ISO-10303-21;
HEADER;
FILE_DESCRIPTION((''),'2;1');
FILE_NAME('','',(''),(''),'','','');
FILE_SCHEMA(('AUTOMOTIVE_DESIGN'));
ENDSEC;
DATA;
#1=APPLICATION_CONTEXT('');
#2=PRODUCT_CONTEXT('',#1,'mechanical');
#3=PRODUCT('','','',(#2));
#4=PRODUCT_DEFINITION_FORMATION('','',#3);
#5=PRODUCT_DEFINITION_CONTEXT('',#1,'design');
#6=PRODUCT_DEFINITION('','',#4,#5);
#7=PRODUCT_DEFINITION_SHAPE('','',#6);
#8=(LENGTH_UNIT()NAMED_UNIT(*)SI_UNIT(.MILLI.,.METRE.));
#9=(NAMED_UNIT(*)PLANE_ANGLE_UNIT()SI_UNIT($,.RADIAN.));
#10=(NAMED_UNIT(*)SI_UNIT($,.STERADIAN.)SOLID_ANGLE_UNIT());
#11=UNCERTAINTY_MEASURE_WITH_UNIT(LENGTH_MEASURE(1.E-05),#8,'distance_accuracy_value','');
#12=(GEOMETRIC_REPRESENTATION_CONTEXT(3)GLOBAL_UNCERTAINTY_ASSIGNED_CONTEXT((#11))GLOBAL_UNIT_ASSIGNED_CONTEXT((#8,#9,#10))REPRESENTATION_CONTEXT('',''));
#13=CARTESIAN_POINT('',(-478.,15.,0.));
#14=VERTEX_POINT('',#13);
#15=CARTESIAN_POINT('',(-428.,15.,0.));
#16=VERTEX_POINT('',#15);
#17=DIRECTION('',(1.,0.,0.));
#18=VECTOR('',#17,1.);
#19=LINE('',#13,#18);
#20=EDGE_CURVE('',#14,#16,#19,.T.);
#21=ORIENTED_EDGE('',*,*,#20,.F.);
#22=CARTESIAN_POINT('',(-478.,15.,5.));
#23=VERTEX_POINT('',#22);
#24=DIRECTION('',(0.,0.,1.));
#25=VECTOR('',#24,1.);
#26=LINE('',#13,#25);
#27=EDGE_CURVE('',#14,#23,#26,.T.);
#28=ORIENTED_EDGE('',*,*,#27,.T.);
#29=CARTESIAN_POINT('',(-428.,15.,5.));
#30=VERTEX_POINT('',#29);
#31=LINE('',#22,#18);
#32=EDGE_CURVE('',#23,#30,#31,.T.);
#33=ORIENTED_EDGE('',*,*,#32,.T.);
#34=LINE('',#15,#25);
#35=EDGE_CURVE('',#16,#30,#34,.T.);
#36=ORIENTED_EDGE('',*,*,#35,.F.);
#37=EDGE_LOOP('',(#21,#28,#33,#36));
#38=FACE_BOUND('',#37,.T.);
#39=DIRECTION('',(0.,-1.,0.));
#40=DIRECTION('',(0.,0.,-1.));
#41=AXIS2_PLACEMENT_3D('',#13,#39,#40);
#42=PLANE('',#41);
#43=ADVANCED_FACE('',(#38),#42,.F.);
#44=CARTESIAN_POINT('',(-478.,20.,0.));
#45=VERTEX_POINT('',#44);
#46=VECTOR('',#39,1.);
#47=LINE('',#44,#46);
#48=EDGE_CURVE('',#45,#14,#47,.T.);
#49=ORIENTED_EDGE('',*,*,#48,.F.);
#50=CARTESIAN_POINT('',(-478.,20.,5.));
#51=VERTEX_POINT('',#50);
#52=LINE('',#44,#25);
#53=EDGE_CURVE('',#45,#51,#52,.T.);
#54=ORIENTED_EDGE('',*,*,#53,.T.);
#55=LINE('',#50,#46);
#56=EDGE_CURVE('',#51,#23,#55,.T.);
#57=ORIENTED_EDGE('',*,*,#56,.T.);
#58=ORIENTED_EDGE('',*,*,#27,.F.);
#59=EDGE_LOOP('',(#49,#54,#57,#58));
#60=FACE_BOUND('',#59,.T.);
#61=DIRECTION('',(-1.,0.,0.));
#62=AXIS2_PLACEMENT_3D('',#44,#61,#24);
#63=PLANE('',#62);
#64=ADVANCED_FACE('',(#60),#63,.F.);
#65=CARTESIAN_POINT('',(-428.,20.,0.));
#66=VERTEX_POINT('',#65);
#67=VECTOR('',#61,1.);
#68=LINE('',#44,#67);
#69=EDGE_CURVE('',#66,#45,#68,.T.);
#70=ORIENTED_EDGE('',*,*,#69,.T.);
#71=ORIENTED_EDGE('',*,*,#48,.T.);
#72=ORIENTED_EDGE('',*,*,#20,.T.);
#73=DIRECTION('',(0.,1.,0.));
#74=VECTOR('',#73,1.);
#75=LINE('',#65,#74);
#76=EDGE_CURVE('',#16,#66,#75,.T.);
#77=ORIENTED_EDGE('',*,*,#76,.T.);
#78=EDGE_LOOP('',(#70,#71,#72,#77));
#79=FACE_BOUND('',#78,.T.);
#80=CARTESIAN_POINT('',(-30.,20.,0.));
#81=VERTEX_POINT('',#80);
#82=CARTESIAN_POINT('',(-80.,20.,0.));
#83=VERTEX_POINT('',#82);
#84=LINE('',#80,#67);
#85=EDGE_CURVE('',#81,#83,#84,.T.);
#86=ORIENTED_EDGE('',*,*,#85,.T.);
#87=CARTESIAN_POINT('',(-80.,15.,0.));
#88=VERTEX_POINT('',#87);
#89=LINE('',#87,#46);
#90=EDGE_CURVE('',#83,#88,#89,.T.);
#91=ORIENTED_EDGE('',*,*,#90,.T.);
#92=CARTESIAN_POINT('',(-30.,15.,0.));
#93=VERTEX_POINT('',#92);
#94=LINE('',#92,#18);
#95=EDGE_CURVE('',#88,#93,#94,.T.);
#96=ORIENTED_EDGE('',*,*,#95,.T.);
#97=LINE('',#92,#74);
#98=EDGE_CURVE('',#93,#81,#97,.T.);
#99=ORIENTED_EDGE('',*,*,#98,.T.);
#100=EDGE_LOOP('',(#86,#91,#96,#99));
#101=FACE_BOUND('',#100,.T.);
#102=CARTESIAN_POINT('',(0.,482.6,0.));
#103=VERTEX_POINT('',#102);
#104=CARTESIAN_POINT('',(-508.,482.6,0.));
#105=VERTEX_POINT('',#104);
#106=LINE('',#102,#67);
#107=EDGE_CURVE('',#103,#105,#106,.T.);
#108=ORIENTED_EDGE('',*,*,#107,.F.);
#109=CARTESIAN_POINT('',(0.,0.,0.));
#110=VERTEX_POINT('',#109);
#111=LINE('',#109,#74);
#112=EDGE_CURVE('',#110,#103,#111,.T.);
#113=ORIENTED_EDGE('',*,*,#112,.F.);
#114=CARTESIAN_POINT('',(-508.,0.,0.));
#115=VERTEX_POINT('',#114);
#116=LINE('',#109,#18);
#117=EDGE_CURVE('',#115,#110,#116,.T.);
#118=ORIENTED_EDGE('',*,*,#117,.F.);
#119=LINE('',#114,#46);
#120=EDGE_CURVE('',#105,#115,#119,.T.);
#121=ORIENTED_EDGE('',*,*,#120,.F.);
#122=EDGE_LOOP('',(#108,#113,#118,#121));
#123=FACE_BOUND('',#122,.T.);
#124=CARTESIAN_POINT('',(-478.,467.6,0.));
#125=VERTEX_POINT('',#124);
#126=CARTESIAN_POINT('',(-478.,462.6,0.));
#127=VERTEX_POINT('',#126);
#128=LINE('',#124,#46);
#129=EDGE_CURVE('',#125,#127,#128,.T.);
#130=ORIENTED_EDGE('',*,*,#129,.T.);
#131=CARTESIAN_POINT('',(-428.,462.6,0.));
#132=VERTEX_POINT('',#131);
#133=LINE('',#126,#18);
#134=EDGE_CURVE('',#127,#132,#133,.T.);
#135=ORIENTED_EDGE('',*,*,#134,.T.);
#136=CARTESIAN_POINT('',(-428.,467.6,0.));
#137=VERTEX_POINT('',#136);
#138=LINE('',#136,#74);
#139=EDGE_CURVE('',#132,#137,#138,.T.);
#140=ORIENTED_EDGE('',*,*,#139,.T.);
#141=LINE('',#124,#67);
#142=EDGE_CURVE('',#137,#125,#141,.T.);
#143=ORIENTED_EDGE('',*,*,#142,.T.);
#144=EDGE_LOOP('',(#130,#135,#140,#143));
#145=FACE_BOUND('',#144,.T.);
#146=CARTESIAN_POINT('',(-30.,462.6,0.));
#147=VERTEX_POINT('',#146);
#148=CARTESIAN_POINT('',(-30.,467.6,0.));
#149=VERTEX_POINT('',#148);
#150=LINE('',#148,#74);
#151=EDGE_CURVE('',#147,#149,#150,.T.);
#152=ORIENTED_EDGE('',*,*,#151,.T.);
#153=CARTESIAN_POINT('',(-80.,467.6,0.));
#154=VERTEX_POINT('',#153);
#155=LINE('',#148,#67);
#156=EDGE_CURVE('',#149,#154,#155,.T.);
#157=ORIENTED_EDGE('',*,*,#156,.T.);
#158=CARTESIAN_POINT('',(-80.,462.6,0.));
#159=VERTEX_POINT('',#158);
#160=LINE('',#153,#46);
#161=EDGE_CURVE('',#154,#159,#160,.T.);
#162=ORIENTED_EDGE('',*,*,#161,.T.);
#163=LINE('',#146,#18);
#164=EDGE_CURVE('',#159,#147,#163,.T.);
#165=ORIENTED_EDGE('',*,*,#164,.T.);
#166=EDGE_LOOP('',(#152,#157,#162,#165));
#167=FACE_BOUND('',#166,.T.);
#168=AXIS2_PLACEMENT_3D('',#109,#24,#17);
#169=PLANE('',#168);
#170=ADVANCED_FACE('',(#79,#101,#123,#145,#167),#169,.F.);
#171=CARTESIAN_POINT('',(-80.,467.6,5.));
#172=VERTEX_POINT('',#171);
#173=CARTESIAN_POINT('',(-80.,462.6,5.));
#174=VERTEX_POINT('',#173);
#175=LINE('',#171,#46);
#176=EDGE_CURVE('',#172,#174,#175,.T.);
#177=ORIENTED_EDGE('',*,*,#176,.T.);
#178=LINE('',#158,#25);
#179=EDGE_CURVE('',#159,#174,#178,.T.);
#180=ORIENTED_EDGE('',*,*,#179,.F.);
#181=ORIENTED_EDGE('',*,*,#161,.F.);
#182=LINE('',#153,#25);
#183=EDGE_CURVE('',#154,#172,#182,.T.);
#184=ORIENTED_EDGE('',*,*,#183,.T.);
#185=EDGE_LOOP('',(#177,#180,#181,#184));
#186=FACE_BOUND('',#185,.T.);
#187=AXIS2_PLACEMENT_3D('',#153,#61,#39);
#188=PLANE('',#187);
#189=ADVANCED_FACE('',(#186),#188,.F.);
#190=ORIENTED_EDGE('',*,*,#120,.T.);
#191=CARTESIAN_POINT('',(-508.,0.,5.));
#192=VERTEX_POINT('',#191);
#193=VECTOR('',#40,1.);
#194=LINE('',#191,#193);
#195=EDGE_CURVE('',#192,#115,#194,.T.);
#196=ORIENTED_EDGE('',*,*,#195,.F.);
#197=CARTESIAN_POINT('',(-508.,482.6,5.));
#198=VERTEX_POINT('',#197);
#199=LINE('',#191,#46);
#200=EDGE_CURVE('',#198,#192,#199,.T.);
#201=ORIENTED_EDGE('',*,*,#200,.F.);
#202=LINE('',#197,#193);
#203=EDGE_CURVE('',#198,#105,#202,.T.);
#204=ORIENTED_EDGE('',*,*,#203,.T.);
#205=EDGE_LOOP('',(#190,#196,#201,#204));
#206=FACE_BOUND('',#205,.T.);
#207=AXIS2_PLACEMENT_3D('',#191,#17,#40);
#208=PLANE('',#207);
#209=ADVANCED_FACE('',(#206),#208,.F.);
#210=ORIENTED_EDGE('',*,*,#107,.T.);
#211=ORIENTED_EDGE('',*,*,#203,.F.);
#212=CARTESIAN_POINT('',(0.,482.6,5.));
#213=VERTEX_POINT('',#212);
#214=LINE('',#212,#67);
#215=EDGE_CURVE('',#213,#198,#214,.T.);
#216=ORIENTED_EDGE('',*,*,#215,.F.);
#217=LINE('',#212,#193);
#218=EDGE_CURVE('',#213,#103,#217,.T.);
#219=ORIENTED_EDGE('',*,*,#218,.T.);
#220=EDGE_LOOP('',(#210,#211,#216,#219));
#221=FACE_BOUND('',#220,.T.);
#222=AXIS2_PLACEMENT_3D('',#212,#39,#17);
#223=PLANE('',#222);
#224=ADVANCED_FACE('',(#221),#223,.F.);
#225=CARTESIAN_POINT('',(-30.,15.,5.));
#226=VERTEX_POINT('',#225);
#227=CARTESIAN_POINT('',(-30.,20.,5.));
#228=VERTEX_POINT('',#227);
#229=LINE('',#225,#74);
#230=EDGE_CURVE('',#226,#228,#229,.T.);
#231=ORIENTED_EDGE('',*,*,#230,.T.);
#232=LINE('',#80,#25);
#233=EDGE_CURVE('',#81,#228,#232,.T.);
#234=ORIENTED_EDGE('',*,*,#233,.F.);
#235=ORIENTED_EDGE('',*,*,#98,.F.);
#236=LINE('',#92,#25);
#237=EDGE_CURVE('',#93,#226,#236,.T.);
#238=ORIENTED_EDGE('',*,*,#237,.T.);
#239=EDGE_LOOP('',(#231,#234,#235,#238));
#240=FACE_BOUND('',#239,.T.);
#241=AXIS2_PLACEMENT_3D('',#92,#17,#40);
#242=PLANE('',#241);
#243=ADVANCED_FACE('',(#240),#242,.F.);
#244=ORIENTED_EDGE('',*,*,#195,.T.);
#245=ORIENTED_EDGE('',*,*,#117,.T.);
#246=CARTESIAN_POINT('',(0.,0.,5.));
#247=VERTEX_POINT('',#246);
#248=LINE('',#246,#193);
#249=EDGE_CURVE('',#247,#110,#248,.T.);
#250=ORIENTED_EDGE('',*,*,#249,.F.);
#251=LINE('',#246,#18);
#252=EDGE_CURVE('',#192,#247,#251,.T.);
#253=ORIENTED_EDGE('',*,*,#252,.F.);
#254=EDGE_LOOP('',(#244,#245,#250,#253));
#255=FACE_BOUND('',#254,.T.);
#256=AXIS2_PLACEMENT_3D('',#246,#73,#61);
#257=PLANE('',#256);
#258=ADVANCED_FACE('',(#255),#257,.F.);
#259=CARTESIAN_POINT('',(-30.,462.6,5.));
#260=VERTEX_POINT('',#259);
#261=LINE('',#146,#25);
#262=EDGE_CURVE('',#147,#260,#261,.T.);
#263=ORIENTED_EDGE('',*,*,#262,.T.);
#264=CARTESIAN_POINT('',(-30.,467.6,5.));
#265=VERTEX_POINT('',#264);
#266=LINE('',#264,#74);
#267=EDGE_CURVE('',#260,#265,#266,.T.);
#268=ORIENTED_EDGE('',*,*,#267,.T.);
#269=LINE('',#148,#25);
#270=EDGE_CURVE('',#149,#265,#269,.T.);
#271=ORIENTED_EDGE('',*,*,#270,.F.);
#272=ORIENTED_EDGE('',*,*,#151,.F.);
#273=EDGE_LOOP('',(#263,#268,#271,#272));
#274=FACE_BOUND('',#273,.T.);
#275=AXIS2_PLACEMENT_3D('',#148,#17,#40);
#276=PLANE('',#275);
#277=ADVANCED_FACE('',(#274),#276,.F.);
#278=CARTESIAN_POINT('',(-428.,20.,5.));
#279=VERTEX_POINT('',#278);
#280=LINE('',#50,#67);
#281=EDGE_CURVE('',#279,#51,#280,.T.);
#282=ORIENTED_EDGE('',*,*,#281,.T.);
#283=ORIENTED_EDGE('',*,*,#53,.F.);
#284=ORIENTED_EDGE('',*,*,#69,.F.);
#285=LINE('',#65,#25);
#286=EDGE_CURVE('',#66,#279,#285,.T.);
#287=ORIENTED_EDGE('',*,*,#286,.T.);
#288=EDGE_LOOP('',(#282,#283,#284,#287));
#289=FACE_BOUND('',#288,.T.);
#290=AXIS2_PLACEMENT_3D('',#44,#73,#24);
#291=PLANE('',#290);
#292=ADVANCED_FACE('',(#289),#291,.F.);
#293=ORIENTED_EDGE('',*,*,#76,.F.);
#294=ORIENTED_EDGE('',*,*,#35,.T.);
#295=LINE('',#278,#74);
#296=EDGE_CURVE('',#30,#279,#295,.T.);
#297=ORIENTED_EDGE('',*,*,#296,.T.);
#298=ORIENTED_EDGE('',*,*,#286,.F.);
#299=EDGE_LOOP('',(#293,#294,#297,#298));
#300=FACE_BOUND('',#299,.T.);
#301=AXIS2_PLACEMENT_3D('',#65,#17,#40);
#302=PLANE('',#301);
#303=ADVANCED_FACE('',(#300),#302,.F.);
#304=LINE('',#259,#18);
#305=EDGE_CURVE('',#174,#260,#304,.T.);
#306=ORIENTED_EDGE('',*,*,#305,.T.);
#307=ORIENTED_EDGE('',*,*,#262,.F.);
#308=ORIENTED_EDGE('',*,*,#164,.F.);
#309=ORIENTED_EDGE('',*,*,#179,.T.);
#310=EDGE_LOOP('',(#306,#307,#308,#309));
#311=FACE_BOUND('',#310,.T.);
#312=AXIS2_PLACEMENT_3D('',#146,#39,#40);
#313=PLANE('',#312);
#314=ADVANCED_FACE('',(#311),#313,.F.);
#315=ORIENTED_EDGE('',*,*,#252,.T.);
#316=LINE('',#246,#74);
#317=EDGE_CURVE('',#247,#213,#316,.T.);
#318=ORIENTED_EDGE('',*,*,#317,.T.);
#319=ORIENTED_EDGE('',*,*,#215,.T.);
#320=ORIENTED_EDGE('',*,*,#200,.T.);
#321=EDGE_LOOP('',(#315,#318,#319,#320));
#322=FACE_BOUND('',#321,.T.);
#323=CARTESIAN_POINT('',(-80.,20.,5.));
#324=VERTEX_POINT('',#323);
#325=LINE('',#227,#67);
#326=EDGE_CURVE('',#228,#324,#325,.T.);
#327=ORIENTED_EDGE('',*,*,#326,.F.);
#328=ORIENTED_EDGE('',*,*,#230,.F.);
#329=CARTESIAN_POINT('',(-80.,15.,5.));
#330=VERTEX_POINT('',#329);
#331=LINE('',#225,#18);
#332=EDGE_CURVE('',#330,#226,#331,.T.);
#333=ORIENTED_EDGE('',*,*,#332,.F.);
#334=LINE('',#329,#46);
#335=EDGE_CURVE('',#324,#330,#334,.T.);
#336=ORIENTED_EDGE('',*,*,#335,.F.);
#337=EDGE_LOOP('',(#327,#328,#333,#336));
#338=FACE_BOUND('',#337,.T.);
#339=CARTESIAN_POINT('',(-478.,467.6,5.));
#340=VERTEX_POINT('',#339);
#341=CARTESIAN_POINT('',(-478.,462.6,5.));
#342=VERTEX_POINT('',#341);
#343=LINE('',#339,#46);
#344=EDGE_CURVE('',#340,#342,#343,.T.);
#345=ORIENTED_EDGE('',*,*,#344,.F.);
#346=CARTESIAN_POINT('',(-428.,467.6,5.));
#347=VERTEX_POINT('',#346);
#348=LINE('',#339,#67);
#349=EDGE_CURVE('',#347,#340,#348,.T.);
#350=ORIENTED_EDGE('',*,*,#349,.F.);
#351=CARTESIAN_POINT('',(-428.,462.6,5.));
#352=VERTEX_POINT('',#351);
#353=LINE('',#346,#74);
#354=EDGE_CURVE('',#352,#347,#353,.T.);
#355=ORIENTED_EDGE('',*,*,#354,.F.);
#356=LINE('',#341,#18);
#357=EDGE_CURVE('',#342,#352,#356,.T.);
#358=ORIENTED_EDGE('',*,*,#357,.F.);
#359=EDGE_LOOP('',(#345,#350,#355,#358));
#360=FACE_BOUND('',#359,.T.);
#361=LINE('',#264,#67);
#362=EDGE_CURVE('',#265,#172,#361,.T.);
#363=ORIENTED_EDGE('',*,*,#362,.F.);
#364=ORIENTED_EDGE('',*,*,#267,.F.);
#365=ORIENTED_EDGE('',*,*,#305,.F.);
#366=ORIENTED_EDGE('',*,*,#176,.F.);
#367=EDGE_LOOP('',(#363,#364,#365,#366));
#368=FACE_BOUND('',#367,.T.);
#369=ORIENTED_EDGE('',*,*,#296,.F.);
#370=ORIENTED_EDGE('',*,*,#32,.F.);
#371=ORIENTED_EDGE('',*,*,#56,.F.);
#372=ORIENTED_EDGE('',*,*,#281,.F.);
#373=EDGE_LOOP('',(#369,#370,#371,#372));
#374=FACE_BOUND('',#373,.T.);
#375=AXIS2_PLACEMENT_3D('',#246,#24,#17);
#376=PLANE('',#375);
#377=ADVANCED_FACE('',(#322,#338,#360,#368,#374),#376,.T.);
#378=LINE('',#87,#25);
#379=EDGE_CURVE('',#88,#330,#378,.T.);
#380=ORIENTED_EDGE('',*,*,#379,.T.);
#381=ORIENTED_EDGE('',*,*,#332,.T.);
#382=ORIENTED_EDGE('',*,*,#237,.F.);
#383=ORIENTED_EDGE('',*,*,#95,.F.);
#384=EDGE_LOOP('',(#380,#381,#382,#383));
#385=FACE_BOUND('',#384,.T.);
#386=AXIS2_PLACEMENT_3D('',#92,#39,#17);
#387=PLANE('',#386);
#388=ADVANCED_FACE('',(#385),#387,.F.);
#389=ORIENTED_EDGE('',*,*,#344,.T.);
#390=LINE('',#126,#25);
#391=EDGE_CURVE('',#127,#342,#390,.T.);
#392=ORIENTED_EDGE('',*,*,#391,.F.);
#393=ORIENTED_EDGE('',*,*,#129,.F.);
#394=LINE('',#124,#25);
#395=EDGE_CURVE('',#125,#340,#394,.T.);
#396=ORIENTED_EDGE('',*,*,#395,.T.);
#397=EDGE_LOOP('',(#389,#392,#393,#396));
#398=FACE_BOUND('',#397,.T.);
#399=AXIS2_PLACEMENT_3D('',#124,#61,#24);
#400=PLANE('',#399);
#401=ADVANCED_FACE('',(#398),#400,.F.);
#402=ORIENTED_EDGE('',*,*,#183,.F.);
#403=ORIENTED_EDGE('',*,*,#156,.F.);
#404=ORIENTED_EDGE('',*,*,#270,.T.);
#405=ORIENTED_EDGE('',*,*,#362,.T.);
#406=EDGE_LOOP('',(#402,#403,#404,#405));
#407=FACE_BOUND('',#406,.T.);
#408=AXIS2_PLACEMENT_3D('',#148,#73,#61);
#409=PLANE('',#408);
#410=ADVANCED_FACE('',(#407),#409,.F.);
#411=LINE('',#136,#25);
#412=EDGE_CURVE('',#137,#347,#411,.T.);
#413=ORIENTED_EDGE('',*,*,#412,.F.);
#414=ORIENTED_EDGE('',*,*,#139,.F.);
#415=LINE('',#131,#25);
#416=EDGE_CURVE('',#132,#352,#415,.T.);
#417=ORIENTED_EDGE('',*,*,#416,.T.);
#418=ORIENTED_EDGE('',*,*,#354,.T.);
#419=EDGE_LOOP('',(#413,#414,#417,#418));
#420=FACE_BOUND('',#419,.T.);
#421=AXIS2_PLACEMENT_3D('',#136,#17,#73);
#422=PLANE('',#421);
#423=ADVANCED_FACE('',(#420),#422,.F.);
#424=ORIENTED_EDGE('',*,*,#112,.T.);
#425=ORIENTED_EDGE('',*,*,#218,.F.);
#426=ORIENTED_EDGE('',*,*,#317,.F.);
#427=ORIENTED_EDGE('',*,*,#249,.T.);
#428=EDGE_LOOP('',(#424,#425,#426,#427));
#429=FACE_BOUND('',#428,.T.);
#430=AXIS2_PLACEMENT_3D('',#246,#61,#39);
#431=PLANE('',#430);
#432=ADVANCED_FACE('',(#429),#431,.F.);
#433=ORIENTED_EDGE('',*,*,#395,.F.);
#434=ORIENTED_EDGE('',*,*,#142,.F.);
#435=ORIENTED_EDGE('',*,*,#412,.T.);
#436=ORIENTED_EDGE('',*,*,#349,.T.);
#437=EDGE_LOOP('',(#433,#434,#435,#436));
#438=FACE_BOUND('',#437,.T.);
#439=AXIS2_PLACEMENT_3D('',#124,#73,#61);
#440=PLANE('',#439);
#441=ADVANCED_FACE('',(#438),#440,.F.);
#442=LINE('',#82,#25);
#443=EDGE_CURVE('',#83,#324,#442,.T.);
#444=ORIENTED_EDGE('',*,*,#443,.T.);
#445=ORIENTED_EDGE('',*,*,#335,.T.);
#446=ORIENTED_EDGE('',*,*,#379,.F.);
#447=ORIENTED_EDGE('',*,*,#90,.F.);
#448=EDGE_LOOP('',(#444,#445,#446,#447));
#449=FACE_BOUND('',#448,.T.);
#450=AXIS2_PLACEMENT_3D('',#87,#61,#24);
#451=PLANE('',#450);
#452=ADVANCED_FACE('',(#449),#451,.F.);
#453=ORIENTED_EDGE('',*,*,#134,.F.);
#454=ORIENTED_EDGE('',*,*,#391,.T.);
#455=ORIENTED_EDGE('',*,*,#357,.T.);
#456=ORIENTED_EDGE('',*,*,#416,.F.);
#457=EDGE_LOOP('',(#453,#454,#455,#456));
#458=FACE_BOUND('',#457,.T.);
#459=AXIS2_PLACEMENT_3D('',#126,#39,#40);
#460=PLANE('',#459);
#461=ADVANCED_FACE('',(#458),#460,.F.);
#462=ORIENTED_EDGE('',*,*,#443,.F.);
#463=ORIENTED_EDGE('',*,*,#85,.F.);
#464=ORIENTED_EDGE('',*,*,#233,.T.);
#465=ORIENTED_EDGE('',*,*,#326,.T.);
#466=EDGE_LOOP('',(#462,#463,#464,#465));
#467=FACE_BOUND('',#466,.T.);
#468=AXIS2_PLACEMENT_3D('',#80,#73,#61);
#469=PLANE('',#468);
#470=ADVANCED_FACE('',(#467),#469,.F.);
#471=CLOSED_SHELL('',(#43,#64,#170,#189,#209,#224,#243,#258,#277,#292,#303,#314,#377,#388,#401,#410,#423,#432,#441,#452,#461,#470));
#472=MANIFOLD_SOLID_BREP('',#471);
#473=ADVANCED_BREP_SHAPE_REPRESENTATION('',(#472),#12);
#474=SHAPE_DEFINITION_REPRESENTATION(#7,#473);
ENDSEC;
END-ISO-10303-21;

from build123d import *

# Parameters (mm, degrees)
SKETCH1_W           = 508
SKETCH1_H           = 482.6
BOSS_EXTRUDE1_DEPTH = 5
SKETCH2_W           = 50
SKETCH2_H           = 5
CUT_EXTRUDE1_DEPTH  = 5


with BuildPart() as part:
    # Sketch1 → Boss-Extrude1 (new body)
    with BuildSketch(Plane.XY):
        with Locations((-254, 241.3)):
            Rectangle(SKETCH1_W, SKETCH1_H)
    extrude(amount=BOSS_EXTRUDE1_DEPTH)

    # Sketch2 → Cut-Extrude1 (cut)
    with BuildSketch(Plane.XY.offset(5)):
        with Locations((-453, 465.1)):
            Rectangle(SKETCH2_W, SKETCH2_H)
        with Locations((-55, 465.1)):
            Rectangle(SKETCH2_W, SKETCH2_H)
        with Locations((-55, 17.5)):
            Rectangle(SKETCH2_W, SKETCH2_H)
        with Locations((-453, 17.5)):
            Rectangle(SKETCH2_W, SKETCH2_H)
    extrude(amount=-CUT_EXTRUDE1_DEPTH, mode=Mode.SUBTRACT)


solid = part.part
